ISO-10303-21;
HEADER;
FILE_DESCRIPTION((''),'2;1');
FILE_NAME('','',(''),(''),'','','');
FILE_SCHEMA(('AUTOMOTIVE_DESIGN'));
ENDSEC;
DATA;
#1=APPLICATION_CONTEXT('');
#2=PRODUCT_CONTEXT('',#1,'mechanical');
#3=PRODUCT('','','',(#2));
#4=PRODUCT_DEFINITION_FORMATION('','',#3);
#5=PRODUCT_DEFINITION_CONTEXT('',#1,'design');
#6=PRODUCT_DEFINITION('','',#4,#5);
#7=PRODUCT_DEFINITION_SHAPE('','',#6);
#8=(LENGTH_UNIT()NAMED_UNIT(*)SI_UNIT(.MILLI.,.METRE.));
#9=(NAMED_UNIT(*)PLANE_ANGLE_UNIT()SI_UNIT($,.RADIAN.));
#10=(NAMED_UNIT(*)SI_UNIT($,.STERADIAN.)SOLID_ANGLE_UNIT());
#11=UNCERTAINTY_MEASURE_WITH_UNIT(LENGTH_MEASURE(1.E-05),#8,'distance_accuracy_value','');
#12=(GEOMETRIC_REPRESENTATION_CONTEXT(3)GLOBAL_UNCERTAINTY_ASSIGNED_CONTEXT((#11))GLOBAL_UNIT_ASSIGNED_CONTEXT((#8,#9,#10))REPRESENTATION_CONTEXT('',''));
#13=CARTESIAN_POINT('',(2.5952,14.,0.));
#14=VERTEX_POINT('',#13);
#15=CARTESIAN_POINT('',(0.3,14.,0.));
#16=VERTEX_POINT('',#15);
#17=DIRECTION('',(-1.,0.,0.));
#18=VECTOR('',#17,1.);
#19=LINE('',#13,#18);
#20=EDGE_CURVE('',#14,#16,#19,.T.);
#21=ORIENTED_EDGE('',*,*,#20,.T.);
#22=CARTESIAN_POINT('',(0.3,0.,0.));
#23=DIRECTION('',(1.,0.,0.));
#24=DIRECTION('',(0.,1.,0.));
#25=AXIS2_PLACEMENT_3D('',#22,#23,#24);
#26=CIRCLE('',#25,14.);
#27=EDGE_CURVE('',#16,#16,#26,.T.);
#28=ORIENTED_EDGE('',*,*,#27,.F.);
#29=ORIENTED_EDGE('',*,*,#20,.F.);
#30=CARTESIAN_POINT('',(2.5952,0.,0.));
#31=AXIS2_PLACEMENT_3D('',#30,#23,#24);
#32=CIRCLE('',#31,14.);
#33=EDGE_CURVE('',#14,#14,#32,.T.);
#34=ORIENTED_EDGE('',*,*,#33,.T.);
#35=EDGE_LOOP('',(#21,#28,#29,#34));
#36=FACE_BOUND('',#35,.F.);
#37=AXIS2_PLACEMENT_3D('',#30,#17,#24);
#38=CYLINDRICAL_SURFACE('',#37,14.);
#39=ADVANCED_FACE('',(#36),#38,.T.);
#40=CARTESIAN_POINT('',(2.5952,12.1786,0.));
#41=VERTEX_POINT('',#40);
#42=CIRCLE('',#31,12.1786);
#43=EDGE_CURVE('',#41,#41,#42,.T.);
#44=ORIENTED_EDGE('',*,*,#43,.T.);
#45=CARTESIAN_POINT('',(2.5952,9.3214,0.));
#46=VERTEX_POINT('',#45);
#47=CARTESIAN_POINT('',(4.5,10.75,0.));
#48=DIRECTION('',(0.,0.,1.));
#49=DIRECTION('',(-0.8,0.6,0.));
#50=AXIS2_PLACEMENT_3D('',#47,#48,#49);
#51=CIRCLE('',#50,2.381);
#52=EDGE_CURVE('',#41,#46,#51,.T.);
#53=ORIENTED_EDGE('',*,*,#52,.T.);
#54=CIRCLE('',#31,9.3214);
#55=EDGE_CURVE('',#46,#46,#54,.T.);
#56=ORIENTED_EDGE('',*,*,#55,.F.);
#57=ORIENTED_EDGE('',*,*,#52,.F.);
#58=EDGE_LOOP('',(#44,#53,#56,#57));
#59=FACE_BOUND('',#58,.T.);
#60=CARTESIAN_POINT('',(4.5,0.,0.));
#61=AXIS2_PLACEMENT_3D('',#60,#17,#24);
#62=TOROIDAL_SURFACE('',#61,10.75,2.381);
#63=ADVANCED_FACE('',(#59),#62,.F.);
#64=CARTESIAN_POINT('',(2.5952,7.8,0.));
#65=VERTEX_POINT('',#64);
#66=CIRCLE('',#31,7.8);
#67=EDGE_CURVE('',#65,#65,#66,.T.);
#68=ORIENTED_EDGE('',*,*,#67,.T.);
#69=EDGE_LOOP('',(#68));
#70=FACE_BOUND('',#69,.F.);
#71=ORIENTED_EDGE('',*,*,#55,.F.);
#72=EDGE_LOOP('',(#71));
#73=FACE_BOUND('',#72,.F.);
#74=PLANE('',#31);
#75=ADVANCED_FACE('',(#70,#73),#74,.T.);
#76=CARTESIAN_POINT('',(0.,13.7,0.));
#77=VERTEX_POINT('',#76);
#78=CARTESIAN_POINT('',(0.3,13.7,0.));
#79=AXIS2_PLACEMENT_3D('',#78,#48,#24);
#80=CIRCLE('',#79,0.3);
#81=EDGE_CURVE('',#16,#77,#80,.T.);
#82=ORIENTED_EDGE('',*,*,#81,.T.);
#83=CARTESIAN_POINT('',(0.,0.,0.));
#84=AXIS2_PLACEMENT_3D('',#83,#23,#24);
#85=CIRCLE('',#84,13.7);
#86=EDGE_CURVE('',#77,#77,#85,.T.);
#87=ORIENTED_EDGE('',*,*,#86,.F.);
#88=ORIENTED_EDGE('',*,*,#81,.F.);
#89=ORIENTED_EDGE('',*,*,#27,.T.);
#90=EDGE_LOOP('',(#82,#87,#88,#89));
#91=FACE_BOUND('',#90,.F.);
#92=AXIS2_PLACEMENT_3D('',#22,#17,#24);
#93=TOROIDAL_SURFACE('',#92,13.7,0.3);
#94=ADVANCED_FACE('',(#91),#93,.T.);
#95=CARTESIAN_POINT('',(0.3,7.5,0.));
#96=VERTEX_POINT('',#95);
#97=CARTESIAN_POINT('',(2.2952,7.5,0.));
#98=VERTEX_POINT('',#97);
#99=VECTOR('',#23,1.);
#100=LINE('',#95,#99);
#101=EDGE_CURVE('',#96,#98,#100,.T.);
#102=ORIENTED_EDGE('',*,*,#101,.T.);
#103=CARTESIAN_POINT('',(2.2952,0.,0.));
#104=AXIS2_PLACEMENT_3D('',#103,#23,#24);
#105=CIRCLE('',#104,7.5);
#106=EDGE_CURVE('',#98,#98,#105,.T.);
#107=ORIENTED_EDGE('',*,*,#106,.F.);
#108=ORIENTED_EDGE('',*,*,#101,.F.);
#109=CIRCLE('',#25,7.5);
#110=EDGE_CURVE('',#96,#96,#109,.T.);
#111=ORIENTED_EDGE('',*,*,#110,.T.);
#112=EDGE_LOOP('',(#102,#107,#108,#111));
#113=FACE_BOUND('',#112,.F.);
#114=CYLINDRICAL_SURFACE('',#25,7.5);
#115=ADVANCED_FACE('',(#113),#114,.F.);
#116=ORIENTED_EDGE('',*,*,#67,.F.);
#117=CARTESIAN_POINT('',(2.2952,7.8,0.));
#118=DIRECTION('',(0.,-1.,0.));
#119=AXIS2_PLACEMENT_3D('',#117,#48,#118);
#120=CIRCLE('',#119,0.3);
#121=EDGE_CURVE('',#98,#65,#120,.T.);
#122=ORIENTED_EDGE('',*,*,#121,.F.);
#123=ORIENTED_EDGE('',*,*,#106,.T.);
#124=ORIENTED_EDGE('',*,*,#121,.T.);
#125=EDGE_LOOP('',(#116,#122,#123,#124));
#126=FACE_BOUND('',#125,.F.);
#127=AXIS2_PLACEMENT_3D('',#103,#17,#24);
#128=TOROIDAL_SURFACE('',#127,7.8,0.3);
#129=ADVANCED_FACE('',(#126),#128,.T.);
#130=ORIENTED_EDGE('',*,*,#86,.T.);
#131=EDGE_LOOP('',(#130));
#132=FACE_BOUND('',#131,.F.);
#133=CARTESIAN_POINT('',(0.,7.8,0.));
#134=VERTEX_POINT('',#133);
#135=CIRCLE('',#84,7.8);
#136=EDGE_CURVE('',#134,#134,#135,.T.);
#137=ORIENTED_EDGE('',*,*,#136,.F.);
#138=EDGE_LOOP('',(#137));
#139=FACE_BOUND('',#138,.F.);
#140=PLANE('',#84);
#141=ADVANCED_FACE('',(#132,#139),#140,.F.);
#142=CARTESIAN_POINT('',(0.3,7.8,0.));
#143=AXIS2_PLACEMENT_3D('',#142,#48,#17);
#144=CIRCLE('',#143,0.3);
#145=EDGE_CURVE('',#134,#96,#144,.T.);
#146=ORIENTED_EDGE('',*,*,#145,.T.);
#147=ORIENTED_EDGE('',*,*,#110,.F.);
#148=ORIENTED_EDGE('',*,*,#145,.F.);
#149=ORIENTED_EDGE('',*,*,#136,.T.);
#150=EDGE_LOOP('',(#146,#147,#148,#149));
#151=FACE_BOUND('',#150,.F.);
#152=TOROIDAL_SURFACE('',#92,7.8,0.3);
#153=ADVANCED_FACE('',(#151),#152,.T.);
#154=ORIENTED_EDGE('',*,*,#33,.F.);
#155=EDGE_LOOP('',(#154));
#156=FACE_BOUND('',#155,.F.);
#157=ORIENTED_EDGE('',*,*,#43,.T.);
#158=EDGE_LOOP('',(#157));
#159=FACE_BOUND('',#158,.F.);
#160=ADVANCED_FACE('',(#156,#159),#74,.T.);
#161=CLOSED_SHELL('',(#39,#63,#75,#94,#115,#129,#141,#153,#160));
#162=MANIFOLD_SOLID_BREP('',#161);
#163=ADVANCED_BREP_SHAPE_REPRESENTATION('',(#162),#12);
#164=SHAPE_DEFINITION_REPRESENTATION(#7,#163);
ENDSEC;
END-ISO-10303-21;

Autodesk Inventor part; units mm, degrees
ref_plane "YZ Plane" through (0, 0, 0) normal (1, 0, 0) x (0, 1, 0)
ref_plane "XZ Plane" through (0, 0, 0) normal (0, 1, 0) x (-1, 0, 0)
ref_plane "XY Plane" through (0, 0, 0) normal (0, 0, 1) x (1, 0, 0)
sketch "Sketch_1" plane through (0, 0, 0) normal (0, 0, 1) x (1, 0, 0)
  line L0 (2.5952, 0) -> (0, 0)
  arc A0 (0, 7.8) -> (0.3, 7.5) centre (0.3, 7.8) ccw
  line L1 (0.3, 7.5) -> (2.2952, 7.5)
  arc A1 (2.2952, 7.5) -> (2.5952, 7.8) centre (2.2952, 7.8) ccw
  line L2 (2.5952, 7.8) -> (2.5952, 9.3214)
  arc A2 (2.5952, 12.1786) -> (2.5952, 9.3214) centre (4.5, 10.75) ccw
  line L3 (2.5952, 12.1786) -> (2.5952, 14)
  line L4 (2.5952, 14) -> (0.3, 14)
  arc A3 (0.3, 14) -> (0, 13.7) centre (0.3, 13.7) ccw
  line L5 (0, 13.7) -> (0, 7.8)
revolve "Revolution1" add sketch "Sketch_1" angle 360 about axis through (2.5952, 0, 0) along (1, 0, 0)
properties part number "SKF_51102_PART2"
